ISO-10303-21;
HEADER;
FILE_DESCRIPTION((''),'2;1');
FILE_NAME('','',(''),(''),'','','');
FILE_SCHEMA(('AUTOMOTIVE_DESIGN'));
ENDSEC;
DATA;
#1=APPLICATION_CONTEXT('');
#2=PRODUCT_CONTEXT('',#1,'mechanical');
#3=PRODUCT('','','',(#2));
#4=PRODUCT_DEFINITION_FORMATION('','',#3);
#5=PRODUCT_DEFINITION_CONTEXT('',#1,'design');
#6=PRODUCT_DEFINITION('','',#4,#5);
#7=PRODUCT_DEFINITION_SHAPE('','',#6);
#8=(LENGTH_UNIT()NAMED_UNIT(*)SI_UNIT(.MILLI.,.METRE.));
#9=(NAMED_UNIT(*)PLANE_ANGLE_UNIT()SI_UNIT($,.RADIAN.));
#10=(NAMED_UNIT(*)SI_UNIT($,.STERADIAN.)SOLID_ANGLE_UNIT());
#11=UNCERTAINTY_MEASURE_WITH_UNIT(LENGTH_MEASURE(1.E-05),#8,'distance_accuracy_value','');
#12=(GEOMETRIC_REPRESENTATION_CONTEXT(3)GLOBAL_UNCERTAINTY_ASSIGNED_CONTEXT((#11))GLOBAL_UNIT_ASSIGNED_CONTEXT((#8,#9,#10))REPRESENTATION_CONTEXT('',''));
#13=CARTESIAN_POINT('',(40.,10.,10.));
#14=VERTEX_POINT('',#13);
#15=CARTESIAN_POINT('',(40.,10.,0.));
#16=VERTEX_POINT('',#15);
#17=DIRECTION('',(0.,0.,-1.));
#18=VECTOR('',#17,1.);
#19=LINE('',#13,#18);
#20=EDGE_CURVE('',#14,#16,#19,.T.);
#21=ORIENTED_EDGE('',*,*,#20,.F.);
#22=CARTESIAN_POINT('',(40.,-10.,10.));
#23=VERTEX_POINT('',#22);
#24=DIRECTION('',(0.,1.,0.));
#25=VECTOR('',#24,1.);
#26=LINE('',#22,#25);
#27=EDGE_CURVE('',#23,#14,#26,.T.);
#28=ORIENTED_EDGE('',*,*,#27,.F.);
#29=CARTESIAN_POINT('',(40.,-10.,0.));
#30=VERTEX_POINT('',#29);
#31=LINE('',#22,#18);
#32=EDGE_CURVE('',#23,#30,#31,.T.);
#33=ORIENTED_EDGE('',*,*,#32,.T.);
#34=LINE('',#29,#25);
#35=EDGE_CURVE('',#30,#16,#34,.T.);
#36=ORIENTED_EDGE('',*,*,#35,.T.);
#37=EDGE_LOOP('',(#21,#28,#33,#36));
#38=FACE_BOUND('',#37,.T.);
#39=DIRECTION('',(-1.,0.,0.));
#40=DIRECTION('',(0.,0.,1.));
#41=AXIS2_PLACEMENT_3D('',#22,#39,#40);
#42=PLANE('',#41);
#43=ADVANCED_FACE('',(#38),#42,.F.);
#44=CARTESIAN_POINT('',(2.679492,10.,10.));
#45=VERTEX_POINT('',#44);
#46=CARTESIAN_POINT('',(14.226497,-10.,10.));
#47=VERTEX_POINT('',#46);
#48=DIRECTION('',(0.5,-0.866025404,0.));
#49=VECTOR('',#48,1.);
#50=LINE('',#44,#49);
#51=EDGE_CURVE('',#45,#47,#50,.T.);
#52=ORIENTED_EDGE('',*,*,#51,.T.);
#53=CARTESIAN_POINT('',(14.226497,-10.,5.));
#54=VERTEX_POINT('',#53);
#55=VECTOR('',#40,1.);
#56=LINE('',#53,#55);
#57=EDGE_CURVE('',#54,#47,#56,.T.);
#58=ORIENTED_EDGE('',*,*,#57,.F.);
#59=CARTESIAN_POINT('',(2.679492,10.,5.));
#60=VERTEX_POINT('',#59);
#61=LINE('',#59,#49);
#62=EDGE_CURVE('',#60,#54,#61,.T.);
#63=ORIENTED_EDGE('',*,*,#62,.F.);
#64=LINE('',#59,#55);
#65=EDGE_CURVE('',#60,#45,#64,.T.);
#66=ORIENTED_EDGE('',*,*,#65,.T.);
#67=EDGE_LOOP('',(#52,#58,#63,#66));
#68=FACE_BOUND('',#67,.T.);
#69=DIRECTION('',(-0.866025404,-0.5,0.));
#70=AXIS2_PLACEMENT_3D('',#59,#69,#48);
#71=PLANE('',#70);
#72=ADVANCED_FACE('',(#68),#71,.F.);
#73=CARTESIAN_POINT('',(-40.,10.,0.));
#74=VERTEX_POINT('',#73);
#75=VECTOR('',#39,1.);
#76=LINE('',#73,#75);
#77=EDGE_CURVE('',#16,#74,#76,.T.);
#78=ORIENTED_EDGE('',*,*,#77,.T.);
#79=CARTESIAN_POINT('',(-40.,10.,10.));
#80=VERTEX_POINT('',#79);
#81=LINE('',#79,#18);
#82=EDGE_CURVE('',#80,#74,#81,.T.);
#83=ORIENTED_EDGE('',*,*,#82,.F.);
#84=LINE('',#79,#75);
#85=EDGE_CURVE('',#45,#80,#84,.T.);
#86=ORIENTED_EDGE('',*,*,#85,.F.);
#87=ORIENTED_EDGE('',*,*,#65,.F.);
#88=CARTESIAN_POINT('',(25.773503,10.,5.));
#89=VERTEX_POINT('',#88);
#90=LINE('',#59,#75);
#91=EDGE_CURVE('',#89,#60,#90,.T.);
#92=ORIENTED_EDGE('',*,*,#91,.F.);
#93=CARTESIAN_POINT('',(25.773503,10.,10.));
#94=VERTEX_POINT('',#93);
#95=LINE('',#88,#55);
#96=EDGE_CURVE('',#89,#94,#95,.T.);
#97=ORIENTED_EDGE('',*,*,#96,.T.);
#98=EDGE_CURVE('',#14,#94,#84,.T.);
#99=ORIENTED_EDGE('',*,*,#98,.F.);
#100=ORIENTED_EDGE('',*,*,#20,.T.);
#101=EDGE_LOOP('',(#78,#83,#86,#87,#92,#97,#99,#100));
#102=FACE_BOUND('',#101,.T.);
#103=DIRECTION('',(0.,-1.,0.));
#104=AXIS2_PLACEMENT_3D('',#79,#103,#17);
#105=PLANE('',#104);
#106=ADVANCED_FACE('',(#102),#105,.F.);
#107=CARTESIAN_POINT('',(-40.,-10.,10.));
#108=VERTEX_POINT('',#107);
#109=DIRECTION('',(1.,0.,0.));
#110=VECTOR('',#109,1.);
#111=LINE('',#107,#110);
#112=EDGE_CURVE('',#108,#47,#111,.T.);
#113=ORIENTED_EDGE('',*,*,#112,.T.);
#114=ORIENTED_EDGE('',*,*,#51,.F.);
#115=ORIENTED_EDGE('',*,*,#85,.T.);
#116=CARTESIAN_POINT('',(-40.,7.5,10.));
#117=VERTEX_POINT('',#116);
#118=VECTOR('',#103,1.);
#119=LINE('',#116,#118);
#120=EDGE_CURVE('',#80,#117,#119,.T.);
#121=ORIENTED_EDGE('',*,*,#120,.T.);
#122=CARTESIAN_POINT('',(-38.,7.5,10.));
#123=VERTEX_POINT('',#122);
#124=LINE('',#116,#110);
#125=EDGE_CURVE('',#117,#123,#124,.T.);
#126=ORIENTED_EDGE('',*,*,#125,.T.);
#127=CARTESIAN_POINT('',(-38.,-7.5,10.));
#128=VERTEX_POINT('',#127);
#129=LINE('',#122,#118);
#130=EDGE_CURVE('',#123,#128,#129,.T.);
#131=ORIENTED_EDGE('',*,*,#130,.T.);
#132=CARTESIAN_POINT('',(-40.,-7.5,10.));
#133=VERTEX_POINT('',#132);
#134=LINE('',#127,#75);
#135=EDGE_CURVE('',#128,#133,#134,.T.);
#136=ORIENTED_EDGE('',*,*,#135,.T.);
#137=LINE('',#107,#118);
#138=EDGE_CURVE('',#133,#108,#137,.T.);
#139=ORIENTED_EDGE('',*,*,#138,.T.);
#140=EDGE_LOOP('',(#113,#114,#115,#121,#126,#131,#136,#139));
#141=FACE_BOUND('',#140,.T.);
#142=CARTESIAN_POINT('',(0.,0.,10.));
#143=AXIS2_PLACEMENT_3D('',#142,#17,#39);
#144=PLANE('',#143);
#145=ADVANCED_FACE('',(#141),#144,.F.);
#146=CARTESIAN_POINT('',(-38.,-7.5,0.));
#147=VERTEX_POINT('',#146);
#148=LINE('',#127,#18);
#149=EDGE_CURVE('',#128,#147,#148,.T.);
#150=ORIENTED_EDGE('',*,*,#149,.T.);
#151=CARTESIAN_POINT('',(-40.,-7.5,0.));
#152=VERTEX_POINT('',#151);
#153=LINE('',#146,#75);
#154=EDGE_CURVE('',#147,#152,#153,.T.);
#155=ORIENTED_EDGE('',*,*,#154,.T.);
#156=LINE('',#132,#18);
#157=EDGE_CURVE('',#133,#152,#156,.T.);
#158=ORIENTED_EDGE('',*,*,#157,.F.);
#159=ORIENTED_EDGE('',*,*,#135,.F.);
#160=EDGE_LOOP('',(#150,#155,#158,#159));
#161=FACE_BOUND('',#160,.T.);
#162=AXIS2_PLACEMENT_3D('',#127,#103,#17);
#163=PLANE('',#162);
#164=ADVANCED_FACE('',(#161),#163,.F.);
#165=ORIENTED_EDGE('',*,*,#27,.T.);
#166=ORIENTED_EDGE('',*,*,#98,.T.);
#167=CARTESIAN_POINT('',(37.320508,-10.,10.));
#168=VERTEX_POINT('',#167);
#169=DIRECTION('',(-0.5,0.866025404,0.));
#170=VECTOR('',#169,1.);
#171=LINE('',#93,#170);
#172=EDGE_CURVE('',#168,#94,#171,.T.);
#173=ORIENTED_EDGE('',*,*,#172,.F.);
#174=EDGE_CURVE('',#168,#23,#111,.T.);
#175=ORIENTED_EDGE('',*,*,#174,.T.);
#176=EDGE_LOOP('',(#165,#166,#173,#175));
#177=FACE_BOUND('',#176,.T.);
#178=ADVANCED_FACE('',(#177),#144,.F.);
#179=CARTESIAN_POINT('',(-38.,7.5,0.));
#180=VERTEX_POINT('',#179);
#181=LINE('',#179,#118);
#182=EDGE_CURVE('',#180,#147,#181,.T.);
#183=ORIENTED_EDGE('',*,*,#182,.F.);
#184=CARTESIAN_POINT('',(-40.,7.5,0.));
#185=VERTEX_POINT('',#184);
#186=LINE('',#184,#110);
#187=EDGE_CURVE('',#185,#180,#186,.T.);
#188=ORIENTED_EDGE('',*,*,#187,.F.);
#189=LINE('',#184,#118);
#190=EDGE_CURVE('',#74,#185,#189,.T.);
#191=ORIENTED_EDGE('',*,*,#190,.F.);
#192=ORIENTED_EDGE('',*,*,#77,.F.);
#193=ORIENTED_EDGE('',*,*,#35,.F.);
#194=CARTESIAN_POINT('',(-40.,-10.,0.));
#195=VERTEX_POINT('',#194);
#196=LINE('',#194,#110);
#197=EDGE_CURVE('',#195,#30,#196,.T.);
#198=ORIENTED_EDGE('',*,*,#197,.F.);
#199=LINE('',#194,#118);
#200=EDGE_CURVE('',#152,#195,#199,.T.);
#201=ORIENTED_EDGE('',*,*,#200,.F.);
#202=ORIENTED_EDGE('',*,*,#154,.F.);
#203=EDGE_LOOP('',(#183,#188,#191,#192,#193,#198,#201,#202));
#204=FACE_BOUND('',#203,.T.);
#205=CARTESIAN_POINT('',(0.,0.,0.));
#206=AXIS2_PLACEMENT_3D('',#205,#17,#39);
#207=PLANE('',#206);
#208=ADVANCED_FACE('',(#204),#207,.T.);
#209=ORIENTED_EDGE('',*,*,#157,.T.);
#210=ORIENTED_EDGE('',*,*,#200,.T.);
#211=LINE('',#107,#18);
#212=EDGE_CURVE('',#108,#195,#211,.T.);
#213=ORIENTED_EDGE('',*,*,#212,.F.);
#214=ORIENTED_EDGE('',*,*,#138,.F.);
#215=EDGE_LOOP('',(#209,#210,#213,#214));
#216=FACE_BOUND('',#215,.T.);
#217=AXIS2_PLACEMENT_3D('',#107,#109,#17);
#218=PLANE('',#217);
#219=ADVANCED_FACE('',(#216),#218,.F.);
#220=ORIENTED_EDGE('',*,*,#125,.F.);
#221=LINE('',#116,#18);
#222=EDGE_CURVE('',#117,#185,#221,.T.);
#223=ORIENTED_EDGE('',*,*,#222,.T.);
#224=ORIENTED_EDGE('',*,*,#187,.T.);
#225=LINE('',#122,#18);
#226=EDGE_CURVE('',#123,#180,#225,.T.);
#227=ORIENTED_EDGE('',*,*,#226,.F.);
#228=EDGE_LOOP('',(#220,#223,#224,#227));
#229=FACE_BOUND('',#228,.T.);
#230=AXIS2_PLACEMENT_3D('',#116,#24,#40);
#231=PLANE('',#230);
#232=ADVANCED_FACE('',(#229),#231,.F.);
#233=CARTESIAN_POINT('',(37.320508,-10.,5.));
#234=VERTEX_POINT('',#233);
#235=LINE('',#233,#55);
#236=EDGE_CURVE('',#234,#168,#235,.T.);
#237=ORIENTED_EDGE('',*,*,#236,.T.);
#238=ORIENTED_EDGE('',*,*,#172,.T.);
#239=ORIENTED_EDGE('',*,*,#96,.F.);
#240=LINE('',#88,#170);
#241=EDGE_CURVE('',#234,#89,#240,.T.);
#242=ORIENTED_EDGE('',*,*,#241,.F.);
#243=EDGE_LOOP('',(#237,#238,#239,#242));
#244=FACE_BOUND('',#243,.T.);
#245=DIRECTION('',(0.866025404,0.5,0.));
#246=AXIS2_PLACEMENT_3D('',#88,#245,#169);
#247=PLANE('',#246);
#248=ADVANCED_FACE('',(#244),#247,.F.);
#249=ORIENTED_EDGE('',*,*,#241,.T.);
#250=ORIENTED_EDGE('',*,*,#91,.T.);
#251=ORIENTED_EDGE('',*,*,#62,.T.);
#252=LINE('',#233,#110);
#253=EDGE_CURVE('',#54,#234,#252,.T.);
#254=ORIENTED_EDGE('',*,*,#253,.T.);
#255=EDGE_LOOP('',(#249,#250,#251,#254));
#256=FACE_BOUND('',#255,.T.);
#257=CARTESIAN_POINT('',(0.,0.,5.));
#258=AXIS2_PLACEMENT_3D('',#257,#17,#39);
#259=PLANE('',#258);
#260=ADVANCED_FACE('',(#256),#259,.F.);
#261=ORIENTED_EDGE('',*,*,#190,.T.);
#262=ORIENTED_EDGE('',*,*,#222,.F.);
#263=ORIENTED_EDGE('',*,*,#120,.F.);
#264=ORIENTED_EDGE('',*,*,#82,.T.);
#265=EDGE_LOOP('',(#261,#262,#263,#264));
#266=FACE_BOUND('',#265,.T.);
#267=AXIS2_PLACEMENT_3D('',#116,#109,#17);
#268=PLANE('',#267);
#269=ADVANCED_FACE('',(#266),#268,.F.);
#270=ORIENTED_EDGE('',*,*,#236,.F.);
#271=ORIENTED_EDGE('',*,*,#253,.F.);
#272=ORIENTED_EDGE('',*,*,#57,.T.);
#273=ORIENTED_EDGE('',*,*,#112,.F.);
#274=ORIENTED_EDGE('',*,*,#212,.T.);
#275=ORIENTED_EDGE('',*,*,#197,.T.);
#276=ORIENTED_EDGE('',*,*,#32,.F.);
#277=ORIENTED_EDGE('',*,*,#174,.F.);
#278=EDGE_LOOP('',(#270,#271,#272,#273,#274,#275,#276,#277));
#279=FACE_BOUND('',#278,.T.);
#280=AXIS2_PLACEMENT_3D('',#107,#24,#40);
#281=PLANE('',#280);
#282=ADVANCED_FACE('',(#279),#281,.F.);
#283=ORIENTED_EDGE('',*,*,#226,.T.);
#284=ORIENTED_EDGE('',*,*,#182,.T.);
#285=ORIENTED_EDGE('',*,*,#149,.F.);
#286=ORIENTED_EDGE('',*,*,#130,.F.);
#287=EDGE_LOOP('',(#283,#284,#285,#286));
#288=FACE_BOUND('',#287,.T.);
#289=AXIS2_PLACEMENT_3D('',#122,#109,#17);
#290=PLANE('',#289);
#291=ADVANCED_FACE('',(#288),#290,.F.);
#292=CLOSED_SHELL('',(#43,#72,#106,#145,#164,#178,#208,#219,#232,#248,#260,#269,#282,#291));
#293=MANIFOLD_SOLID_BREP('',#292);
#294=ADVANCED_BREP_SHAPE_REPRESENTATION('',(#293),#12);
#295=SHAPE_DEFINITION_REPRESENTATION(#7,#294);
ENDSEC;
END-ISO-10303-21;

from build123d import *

# Parameters (mm, degrees)
EXTRUDE_1_DEPTH     = 10
CUT_EXTRUDE_1_DEPTH = 5


with BuildPart() as part:
    # 草圖2 → 填料-伸長1 (new body)
    with BuildSketch(Plane.XY):
        Polygon((-40, 7.5), (-38, 7.5), (-38, -7.5), (-40, -7.5), (-40, -10), (40, -10), (40, 10), (-40, 10), align=None)
    extrude(amount=EXTRUDE_1_DEPTH)

    # 草圖3 → 除料-伸長1 (cut)
    with BuildSketch(Plane.XY.offset(10)):
        Polygon((2.679491924, 10), (14.226497308, -10), (37.320508076, -10), (25.773502692, 10), align=None)
    extrude(amount=-CUT_EXTRUDE_1_DEPTH, mode=Mode.SUBTRACT)


solid = part.part
